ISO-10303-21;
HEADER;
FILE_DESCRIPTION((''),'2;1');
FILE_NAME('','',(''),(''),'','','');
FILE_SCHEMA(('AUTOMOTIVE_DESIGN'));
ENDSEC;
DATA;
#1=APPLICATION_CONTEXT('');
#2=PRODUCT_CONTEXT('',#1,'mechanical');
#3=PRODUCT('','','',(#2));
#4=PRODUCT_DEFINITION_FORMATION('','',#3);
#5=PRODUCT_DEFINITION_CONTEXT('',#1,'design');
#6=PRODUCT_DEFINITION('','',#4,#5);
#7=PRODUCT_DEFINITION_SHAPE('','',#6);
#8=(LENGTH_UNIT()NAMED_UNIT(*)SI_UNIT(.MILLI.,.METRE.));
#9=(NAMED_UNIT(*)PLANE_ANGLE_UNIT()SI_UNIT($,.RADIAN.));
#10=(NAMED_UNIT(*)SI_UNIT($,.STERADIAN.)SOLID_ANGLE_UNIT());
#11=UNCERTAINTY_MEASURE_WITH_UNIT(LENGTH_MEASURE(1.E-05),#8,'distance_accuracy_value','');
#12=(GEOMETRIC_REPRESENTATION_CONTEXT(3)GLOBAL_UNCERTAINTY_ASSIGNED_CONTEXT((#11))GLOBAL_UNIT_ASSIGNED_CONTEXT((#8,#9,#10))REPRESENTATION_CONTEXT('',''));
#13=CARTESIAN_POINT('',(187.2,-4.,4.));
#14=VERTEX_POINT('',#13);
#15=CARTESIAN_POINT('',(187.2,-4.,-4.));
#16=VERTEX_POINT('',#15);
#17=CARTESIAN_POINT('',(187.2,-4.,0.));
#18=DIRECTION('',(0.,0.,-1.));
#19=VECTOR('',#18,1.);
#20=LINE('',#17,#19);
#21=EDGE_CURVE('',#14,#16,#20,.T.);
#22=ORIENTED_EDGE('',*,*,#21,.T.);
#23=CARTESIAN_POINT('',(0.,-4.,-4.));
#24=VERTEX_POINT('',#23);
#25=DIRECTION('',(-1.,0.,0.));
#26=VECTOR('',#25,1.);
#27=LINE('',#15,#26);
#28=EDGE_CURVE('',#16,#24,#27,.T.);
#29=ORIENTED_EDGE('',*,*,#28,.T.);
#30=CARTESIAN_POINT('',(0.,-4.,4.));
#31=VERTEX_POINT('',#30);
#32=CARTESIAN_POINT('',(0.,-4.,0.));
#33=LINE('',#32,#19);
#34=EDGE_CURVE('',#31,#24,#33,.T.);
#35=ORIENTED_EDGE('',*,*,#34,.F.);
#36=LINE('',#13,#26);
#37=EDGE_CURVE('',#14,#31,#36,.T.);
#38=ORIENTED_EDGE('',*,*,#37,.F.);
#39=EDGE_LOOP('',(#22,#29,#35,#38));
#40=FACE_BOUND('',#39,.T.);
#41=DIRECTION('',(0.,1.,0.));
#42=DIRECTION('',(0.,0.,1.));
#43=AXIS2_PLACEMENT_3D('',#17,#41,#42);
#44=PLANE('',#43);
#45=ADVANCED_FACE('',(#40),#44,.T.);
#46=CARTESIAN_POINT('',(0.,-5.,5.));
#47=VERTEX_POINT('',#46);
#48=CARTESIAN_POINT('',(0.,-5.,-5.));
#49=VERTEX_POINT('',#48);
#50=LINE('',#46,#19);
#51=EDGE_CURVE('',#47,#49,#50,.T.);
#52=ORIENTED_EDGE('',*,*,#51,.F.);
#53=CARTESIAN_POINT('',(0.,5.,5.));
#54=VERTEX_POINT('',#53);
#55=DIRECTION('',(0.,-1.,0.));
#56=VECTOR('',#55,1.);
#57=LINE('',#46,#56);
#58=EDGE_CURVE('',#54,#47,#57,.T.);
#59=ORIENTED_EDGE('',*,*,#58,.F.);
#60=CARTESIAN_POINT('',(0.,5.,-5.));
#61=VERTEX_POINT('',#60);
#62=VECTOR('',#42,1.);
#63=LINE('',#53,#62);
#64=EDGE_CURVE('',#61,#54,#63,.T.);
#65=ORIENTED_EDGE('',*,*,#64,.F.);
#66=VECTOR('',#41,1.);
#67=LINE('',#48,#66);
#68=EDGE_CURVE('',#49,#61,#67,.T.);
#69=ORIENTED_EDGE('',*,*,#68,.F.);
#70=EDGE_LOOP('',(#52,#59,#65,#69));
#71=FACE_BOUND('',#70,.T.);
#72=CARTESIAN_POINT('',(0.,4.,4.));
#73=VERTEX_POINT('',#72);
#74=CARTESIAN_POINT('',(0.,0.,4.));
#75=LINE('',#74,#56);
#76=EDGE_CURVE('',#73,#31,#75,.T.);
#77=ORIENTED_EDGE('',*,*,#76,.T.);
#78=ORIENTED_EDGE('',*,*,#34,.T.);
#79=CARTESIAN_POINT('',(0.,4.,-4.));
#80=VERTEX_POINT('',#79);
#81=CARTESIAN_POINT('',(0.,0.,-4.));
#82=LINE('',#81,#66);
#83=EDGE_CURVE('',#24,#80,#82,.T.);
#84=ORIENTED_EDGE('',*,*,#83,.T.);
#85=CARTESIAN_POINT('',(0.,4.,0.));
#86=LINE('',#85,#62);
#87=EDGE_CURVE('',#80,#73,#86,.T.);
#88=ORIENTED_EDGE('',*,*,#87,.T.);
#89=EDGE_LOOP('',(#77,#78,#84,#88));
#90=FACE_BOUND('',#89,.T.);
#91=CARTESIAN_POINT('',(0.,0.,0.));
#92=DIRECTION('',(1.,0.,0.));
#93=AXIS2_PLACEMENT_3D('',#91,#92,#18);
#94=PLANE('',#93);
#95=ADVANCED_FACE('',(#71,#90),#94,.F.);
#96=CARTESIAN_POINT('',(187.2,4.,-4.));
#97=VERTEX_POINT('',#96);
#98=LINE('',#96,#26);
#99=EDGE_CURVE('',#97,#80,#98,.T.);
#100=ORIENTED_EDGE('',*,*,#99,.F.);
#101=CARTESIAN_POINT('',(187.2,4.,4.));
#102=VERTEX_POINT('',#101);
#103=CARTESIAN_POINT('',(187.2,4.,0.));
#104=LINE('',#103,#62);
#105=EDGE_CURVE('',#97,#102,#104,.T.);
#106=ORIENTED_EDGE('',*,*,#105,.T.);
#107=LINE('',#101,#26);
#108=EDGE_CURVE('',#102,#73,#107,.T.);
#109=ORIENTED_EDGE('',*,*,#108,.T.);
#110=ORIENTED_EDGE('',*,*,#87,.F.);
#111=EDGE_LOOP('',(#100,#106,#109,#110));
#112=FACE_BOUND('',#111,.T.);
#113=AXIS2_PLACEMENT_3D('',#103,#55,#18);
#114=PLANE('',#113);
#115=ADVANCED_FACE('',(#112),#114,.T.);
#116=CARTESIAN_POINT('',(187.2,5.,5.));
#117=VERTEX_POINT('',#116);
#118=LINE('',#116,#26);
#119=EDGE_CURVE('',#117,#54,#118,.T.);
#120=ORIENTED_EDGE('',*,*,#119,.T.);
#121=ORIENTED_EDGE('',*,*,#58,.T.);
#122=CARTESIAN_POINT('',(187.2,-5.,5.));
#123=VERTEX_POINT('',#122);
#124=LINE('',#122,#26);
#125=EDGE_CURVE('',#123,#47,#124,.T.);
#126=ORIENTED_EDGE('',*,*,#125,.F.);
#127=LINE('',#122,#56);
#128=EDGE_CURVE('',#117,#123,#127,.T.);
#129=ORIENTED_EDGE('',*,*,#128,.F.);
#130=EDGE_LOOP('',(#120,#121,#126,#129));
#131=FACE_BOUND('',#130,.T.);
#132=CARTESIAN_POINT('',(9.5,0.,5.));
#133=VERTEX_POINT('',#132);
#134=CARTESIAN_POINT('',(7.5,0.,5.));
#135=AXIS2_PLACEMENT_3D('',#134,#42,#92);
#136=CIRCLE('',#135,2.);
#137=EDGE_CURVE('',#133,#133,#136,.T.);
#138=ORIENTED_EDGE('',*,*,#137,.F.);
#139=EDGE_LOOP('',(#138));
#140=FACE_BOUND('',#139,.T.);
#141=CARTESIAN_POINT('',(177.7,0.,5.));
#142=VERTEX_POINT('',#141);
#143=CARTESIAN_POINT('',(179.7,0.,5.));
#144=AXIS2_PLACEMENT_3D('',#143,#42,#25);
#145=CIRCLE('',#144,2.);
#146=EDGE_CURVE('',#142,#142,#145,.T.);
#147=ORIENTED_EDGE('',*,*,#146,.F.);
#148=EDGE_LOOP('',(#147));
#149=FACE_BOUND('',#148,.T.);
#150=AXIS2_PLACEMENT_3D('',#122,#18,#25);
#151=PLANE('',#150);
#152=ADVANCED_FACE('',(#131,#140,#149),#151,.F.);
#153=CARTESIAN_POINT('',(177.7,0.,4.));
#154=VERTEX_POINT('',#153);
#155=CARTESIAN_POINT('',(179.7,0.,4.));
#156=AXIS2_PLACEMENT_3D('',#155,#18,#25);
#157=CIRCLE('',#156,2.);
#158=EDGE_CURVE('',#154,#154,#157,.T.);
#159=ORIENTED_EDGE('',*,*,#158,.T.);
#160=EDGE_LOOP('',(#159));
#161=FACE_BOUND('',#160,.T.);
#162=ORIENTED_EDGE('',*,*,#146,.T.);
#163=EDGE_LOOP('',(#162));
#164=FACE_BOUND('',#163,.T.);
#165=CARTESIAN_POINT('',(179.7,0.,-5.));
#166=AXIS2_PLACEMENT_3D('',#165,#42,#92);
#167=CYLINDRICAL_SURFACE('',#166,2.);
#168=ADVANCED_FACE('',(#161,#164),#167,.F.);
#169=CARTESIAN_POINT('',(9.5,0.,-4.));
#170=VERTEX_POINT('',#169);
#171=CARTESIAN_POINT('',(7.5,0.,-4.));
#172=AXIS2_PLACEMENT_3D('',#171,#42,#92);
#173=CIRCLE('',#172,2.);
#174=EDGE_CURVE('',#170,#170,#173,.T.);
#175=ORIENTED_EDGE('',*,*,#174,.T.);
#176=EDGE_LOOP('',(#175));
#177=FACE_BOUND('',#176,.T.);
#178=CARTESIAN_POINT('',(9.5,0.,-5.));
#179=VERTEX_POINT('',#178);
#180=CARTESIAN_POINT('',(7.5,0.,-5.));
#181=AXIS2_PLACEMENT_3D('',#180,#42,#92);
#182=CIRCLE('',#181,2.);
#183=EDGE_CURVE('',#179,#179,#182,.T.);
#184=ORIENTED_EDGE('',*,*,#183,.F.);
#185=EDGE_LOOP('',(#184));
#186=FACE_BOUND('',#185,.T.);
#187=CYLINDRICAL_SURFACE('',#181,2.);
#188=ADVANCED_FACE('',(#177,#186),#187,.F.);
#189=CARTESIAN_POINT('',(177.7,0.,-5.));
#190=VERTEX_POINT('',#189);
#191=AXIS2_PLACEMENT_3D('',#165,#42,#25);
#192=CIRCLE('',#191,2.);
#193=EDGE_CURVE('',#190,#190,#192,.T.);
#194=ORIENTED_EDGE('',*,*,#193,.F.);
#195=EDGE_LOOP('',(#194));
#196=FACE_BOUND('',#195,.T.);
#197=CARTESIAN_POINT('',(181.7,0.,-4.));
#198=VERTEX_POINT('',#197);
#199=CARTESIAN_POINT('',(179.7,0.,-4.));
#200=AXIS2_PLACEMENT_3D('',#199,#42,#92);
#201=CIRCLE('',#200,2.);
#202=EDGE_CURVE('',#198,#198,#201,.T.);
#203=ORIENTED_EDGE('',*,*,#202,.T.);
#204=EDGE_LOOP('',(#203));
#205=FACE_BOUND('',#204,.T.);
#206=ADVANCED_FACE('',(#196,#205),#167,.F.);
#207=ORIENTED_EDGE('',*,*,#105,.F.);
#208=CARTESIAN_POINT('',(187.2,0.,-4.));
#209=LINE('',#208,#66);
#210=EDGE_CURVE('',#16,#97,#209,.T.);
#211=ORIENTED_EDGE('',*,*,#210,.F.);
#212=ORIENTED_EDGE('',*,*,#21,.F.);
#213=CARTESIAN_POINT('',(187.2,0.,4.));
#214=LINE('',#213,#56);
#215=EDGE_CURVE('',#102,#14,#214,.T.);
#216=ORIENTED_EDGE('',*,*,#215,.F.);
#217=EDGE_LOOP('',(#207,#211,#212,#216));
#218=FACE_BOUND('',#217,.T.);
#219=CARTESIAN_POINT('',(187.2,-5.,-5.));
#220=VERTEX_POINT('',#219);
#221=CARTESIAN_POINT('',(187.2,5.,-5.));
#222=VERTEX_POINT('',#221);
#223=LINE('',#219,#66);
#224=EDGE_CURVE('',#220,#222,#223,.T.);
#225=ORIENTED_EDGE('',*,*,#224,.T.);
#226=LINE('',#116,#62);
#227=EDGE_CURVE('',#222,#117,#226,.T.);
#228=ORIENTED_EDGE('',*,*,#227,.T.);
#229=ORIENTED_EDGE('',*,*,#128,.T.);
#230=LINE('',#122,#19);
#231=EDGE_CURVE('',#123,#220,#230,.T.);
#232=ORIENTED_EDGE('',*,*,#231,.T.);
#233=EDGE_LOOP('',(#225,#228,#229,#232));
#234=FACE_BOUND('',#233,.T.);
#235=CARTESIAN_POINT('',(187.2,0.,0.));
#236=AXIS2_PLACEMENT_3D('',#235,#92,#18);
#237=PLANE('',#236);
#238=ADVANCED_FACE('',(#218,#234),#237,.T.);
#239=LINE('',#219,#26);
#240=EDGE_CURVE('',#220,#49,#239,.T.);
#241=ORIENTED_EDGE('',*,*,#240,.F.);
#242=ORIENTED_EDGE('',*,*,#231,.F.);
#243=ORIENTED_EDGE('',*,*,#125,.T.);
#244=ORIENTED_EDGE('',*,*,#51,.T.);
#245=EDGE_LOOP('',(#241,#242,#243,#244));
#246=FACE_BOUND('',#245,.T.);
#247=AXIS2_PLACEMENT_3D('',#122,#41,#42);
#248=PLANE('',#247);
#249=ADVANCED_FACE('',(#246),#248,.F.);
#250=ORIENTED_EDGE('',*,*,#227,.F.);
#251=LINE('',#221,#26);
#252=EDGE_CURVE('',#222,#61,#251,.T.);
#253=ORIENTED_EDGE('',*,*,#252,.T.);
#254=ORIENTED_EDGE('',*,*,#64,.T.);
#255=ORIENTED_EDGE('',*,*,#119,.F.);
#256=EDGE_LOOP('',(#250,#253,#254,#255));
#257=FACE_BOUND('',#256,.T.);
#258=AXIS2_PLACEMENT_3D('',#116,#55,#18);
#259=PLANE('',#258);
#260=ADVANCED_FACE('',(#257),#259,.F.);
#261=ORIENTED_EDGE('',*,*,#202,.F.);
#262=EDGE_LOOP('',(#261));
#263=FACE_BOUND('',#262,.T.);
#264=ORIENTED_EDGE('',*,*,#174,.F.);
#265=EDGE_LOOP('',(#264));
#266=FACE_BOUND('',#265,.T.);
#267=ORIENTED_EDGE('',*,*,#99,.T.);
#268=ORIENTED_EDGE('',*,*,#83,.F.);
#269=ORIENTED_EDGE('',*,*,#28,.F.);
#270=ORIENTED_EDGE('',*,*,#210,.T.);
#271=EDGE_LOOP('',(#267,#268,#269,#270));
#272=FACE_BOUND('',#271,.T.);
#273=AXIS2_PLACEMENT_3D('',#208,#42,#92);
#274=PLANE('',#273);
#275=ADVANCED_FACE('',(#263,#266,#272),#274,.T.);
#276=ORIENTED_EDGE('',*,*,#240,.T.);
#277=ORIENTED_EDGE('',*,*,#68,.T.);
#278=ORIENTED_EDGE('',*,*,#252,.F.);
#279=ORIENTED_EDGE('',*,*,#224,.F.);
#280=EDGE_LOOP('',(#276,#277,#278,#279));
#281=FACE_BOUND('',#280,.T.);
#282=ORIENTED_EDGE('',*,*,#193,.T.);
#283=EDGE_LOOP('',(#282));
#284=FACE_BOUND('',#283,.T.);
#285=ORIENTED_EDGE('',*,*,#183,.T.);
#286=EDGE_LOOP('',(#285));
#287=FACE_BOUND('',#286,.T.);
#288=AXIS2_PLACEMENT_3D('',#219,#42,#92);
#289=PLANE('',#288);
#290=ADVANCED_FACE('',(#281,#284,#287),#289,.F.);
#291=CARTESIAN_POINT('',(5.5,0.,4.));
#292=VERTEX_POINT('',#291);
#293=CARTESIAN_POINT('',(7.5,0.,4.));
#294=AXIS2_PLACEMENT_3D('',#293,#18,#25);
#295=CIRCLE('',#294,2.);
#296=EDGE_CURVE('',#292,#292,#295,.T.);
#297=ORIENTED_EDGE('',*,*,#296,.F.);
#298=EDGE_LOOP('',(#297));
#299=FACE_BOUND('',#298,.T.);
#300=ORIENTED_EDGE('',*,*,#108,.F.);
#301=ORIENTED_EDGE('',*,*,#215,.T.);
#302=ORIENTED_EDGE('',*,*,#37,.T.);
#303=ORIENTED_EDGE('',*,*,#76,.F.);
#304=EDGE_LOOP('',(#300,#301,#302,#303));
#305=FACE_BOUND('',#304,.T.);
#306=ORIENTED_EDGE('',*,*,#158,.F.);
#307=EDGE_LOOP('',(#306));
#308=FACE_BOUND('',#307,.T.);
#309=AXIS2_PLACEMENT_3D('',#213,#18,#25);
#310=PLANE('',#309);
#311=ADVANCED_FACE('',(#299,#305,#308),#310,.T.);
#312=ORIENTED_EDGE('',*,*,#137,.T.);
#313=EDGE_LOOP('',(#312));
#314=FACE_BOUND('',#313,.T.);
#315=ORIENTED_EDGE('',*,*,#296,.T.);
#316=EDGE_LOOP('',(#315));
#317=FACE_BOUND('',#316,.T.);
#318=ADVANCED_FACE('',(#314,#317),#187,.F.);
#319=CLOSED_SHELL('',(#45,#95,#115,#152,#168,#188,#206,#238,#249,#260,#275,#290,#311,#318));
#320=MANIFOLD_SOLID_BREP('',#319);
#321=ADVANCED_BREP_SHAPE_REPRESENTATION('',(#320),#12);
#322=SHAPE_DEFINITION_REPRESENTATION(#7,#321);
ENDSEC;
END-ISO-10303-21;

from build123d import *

# Parameters (mm, degrees)
SKETCH_1_W          = 10
SKETCH_1_H          = 10
SKETCH_1_W_2        = 8
SKETCH_1_H_2        = 8
EXTRUDE_1_DEPTH     = 187.2
SKETCH_2_R          = 2
CUT_EXTRUDE_1_DEPTH = 188.533570328


with BuildPart() as part:
    # ｽｹｯﾁ1 → 押し出し-薄板1 (new body)
    with BuildSketch(Plane(origin=(0, 0, 0), x_dir=(0, 0, -1), z_dir=(1, 0, 0))):
        Rectangle(SKETCH_1_W, SKETCH_1_H)
        Rectangle(SKETCH_1_W_2, SKETCH_1_H_2, mode=Mode.SUBTRACT)
    extrude(amount=EXTRUDE_1_DEPTH)

    # ｽｹｯﾁ2 → ｶｯﾄ - 押し出し1 (cut, through all)
    with BuildSketch(Plane.XY.offset(5)):
        with Locations((7.5, 0)):
            Circle(SKETCH_2_R)
        with Locations(Location((179.7, 0, 0), (0, 0, 180))):
            Circle(SKETCH_2_R)
    extrude(amount=-CUT_EXTRUDE_1_DEPTH, mode=Mode.SUBTRACT)


solid = part.part
